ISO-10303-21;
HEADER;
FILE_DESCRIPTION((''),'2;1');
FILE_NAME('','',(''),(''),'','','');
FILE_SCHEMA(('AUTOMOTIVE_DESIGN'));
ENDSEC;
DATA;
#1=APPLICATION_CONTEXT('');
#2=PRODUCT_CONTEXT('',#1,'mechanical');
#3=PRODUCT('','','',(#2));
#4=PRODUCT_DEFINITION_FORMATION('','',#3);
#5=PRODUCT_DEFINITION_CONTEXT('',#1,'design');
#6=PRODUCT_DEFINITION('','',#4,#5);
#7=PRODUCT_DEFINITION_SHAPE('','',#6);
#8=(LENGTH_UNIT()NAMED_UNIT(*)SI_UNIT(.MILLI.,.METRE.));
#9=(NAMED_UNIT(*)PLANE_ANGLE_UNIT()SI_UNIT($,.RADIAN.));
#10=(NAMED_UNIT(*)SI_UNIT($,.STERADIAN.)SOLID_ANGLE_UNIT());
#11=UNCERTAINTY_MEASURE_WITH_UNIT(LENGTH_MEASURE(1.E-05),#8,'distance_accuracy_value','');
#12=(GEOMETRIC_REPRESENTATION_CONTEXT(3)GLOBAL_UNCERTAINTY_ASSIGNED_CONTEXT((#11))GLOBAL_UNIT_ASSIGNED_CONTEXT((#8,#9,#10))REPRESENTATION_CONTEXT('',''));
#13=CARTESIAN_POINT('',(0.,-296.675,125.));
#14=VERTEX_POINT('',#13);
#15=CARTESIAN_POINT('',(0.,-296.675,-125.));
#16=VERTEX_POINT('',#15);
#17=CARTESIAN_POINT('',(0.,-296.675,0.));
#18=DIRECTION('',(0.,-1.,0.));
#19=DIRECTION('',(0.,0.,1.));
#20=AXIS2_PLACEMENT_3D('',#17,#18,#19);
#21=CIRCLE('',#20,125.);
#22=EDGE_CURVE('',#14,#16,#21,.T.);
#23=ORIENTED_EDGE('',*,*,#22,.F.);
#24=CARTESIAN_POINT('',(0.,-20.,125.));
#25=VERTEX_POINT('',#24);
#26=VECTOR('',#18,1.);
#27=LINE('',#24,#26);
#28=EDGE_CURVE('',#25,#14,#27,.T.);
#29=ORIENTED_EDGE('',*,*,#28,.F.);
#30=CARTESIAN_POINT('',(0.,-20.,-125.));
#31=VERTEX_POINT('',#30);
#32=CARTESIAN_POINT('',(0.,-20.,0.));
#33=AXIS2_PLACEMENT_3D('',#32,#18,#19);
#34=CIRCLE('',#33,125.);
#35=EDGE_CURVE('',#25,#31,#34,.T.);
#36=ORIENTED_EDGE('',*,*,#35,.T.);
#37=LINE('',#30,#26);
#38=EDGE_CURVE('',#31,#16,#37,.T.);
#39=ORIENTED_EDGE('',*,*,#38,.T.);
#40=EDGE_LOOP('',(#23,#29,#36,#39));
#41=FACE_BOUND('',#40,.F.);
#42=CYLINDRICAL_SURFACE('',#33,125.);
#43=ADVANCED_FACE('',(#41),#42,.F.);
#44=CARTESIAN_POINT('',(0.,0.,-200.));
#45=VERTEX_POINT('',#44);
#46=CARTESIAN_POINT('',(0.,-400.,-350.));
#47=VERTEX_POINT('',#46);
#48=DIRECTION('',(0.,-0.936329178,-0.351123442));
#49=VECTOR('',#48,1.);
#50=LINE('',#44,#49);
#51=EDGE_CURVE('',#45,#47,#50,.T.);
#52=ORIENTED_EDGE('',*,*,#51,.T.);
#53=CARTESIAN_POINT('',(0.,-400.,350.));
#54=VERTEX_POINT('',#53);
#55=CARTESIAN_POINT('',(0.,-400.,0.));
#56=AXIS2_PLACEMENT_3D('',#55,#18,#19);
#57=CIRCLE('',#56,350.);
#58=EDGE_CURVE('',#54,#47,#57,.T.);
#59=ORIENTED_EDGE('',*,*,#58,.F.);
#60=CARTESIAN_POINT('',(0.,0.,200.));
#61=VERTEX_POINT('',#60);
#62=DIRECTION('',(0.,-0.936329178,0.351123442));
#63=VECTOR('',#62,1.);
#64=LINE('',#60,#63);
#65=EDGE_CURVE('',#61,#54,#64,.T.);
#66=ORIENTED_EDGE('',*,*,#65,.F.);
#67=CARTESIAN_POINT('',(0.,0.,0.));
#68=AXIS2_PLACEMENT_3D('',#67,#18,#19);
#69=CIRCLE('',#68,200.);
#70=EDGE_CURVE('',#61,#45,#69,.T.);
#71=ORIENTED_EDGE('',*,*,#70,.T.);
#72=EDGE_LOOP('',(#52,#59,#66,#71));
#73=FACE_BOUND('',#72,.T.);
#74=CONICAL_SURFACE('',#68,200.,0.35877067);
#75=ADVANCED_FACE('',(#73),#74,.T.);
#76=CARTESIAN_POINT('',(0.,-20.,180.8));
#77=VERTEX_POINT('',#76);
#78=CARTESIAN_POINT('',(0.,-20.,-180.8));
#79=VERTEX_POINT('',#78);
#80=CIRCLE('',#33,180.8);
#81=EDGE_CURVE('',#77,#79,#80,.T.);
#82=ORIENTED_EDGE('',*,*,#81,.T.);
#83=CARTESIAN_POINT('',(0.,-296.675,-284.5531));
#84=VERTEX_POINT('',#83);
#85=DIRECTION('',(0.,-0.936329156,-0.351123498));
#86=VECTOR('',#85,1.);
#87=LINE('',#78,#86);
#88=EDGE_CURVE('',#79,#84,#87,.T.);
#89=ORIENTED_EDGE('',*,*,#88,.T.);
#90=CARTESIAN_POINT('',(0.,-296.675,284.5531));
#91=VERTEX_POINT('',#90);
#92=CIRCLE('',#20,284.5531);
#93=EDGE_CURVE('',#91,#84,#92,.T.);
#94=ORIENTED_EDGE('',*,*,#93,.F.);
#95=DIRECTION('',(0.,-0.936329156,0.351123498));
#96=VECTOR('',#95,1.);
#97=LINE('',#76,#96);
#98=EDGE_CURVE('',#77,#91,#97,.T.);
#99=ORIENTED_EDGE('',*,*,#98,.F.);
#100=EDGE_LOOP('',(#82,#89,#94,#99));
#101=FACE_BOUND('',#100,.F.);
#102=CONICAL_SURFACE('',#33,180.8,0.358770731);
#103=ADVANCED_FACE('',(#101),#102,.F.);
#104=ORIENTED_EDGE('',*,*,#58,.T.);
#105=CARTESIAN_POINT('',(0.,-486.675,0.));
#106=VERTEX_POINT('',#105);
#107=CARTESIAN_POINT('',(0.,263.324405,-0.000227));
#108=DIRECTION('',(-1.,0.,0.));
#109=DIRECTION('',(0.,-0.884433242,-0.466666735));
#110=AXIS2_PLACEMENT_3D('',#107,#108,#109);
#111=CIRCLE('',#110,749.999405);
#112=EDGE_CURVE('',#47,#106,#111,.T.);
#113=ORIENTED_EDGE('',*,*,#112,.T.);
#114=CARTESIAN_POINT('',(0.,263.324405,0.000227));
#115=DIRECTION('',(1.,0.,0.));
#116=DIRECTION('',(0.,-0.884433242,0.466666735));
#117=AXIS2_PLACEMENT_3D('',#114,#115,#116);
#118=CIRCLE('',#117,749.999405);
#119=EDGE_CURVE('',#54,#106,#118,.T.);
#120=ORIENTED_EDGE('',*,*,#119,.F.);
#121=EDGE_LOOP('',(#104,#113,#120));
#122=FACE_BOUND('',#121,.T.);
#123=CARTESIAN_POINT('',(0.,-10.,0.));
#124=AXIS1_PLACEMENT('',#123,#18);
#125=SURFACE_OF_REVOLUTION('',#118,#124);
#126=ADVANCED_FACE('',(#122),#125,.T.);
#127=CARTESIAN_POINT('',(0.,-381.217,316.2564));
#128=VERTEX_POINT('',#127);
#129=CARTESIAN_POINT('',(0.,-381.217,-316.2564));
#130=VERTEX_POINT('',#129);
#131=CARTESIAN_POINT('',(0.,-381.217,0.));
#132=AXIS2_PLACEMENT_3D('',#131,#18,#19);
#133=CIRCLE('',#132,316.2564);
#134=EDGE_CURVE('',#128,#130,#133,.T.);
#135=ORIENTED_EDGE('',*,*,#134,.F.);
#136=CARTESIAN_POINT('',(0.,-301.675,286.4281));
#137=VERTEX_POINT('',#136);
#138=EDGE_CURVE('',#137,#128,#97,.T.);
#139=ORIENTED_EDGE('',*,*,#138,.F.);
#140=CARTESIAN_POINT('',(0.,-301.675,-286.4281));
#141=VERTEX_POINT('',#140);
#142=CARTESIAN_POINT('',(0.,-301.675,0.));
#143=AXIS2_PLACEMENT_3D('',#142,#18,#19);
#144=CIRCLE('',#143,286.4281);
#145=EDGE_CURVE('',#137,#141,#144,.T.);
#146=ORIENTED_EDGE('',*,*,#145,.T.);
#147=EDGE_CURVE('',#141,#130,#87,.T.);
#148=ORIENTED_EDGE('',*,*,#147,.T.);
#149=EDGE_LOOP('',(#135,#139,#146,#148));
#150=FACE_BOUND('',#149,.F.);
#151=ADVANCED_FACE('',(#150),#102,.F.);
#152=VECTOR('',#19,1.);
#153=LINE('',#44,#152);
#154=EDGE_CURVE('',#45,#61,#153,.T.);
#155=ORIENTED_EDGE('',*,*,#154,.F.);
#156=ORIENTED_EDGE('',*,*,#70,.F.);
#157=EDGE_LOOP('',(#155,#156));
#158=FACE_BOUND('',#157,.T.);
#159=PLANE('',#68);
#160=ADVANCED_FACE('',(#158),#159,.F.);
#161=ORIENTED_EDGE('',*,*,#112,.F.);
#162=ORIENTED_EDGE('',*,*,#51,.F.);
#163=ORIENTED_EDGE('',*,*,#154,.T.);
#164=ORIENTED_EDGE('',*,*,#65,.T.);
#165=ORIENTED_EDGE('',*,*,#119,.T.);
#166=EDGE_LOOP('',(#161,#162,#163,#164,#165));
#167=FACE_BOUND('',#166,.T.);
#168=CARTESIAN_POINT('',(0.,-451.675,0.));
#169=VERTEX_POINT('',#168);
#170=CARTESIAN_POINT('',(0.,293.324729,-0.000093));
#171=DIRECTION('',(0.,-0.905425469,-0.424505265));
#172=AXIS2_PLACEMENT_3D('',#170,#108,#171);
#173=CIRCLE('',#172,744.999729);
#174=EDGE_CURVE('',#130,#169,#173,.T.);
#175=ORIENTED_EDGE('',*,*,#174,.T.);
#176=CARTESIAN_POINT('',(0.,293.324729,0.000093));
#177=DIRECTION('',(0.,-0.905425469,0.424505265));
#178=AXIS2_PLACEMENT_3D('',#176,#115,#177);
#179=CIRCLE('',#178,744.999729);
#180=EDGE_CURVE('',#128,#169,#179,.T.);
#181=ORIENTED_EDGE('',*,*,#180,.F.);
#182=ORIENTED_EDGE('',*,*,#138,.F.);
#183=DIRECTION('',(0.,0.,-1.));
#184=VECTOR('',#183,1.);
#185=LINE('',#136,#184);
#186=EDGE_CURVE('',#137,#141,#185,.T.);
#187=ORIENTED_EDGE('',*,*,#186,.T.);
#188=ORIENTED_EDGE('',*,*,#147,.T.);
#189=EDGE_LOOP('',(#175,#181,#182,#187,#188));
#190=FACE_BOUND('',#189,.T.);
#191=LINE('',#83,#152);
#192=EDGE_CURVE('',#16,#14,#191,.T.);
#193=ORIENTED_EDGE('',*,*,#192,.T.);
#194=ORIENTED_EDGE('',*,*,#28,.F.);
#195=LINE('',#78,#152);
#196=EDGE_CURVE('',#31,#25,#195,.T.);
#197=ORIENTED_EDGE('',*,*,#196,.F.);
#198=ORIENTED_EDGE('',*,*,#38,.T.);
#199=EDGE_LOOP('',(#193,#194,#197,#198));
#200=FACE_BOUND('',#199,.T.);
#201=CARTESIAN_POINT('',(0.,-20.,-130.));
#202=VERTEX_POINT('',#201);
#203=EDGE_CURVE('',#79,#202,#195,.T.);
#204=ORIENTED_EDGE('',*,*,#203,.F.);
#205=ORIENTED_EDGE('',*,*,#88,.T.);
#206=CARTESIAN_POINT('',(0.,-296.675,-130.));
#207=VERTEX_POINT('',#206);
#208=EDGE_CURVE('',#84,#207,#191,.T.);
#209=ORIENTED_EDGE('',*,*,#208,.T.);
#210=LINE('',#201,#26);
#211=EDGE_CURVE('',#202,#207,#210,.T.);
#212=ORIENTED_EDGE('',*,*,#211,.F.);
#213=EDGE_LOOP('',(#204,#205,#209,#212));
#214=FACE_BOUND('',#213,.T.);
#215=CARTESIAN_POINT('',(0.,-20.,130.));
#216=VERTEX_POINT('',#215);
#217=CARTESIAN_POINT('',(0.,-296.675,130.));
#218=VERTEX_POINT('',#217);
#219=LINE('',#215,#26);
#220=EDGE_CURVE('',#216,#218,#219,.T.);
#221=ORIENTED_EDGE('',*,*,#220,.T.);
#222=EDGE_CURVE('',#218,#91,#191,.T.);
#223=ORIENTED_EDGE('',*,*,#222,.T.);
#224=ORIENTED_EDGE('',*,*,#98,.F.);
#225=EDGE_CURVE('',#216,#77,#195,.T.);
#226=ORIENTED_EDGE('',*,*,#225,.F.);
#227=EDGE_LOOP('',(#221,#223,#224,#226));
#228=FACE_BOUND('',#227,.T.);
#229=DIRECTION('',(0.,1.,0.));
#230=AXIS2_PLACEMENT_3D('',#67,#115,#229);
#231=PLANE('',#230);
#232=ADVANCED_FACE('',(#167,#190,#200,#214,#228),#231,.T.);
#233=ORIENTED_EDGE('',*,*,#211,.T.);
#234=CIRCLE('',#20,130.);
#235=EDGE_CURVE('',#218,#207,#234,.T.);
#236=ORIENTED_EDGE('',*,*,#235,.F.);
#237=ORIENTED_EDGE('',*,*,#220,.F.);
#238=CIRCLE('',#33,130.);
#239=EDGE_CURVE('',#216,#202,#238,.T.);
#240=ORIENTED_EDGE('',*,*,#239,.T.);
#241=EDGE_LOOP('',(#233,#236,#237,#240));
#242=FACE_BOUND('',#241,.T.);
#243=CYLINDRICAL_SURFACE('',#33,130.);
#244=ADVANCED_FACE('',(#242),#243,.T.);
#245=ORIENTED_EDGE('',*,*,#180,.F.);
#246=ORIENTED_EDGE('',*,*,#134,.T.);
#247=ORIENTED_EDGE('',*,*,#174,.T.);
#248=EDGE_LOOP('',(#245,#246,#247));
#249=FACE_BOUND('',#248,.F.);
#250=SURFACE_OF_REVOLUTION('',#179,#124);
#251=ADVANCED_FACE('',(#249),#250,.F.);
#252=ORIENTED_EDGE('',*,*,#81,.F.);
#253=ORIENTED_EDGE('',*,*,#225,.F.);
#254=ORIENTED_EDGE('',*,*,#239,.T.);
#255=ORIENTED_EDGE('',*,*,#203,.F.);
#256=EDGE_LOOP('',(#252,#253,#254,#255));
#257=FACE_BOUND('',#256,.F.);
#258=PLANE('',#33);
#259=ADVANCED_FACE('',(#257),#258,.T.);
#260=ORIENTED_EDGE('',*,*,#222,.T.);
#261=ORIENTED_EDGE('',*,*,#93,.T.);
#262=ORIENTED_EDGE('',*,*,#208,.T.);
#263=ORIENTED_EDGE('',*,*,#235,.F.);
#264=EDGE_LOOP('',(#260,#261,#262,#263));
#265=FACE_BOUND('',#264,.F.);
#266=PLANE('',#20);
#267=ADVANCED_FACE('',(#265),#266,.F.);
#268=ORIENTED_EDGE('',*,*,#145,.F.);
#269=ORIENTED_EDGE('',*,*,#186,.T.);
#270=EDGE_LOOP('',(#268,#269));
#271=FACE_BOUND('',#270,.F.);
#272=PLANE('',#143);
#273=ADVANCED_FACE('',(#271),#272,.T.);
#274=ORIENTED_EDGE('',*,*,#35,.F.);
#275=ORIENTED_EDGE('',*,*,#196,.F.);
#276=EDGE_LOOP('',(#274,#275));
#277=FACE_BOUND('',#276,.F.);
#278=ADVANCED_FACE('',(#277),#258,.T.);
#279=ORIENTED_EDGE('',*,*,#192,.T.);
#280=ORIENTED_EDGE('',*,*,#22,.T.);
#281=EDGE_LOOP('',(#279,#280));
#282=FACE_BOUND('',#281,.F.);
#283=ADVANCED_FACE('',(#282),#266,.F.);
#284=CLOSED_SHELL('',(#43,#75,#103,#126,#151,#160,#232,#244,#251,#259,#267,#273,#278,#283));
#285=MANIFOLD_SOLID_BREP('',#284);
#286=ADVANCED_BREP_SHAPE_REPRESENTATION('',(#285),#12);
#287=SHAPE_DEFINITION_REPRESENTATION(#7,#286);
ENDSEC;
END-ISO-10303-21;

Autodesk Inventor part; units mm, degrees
ref_plane "YZ Plane" through (0, 0, 0) normal (1, 0, 0) x (0, 1, 0)
ref_plane "XZ Plane" through (0, 0, 0) normal (0, 1, 0) x (-1, 0, 0)
ref_plane "XY Plane" through (0, 0, 0) normal (0, 0, 1) x (1, 0, 0)
sketch "スケッチ1" plane through (0, 0, 0) normal (1, 0, 0) x (0, 1, 0)
  line L0 (0, 0) -> (0, 200)
  line L1 (0, 200) -> (-400, 350)
  arc A0 (-400, 350) -> (-486.675, 0) centre (263.325, 0) ccw
  line L2 (-668.2907, 0) -> (453.5942, 0) projected
  line L3 (0, 0) -> (-20, 0)
  line L4 (-20, 0) -> (-20, 180.8)
  line L5 (-20, 180.8) -> (-381.217, 316.2564)
  arc A1 (-381.217, 316.2564) -> (-451.675, 0) centre (293.325, 0) ccw
  line L6 (-451.675, 0) -> (-486.675, 0)
  dimension "d0" = 200
  dimension "d1" = 400
  dimension "d2" = 750
  dimension "d3" = 350
  dimension "d9" = 20
  dimension "d10" = 25
  dimension "d11" = 30
  dimension "d12" = 35
revolve "回転2" add sketch "スケッチ1" angle 180 about axis through (0, -10, 0) along (0, -1, 0) contours L2 L4 L5 A1 A0 L1 L0
sketch "スケッチ2" plane through (0, 263.325, 0) normal (1, 0, 0) x (0, 0, -1)
  line L0 (-284.5531, -560) -> (0, -560)
  line L1 (0, -560) -> (0, -565)
  line L2 (0, -565) -> (-286.4281, -565)
  line L3 (-286.4281, -565) -> (-284.5531, -560)
  line L4 (-316.2564, -644.542) -> (-180.8, -283.325) projected
  arc A0 (-316.2564, -644.542) -> (0, -715) centre (0, 30) ccw projected
  line L5 (0, -906) -> (0, 186) projected
  point P0 (0, -263.325)
  dimension "d14" = 5
  dimension "d15" = 150
revolve "回転3" add sketch "スケッチ2" angle 180 about axis through (0, -10, 0) along (0, -1, 0) contours L0 L1 L2 L3
sketch "スケッチ3" plane through (0, 263.325, 0) normal (1, 0, 0) x (0, 0, -1)
  line L0 (-180.8, -283.325) -> (180.8, -283.325) projected
  line L1 (-284.5531, -560) -> (284.5531, -560) projected
  line L2 (-130, -283.325) -> (-130, -560)
  line L3 (-125, -283.325) -> (-125, -560)
  line L4 (0, -847.335) -> (0, -165.9899) projected
  line L5 (-130, -283.325) -> (-125, -283.325)
  line L6 (-130, -560) -> (-125, -560)
  line L7 (-284.5531, -560) -> (284.5531, -560) projected
  point P0 (0, -263.325)
  dimension "d17" = 5
  dimension "d18" = 125
revolve "回転4" add sketch "スケッチ3" angle 180 about axis through (0, -10, 0) along (0, -1, 0) contours L0 L3 L1 L2
properties part number "hakoooo"
